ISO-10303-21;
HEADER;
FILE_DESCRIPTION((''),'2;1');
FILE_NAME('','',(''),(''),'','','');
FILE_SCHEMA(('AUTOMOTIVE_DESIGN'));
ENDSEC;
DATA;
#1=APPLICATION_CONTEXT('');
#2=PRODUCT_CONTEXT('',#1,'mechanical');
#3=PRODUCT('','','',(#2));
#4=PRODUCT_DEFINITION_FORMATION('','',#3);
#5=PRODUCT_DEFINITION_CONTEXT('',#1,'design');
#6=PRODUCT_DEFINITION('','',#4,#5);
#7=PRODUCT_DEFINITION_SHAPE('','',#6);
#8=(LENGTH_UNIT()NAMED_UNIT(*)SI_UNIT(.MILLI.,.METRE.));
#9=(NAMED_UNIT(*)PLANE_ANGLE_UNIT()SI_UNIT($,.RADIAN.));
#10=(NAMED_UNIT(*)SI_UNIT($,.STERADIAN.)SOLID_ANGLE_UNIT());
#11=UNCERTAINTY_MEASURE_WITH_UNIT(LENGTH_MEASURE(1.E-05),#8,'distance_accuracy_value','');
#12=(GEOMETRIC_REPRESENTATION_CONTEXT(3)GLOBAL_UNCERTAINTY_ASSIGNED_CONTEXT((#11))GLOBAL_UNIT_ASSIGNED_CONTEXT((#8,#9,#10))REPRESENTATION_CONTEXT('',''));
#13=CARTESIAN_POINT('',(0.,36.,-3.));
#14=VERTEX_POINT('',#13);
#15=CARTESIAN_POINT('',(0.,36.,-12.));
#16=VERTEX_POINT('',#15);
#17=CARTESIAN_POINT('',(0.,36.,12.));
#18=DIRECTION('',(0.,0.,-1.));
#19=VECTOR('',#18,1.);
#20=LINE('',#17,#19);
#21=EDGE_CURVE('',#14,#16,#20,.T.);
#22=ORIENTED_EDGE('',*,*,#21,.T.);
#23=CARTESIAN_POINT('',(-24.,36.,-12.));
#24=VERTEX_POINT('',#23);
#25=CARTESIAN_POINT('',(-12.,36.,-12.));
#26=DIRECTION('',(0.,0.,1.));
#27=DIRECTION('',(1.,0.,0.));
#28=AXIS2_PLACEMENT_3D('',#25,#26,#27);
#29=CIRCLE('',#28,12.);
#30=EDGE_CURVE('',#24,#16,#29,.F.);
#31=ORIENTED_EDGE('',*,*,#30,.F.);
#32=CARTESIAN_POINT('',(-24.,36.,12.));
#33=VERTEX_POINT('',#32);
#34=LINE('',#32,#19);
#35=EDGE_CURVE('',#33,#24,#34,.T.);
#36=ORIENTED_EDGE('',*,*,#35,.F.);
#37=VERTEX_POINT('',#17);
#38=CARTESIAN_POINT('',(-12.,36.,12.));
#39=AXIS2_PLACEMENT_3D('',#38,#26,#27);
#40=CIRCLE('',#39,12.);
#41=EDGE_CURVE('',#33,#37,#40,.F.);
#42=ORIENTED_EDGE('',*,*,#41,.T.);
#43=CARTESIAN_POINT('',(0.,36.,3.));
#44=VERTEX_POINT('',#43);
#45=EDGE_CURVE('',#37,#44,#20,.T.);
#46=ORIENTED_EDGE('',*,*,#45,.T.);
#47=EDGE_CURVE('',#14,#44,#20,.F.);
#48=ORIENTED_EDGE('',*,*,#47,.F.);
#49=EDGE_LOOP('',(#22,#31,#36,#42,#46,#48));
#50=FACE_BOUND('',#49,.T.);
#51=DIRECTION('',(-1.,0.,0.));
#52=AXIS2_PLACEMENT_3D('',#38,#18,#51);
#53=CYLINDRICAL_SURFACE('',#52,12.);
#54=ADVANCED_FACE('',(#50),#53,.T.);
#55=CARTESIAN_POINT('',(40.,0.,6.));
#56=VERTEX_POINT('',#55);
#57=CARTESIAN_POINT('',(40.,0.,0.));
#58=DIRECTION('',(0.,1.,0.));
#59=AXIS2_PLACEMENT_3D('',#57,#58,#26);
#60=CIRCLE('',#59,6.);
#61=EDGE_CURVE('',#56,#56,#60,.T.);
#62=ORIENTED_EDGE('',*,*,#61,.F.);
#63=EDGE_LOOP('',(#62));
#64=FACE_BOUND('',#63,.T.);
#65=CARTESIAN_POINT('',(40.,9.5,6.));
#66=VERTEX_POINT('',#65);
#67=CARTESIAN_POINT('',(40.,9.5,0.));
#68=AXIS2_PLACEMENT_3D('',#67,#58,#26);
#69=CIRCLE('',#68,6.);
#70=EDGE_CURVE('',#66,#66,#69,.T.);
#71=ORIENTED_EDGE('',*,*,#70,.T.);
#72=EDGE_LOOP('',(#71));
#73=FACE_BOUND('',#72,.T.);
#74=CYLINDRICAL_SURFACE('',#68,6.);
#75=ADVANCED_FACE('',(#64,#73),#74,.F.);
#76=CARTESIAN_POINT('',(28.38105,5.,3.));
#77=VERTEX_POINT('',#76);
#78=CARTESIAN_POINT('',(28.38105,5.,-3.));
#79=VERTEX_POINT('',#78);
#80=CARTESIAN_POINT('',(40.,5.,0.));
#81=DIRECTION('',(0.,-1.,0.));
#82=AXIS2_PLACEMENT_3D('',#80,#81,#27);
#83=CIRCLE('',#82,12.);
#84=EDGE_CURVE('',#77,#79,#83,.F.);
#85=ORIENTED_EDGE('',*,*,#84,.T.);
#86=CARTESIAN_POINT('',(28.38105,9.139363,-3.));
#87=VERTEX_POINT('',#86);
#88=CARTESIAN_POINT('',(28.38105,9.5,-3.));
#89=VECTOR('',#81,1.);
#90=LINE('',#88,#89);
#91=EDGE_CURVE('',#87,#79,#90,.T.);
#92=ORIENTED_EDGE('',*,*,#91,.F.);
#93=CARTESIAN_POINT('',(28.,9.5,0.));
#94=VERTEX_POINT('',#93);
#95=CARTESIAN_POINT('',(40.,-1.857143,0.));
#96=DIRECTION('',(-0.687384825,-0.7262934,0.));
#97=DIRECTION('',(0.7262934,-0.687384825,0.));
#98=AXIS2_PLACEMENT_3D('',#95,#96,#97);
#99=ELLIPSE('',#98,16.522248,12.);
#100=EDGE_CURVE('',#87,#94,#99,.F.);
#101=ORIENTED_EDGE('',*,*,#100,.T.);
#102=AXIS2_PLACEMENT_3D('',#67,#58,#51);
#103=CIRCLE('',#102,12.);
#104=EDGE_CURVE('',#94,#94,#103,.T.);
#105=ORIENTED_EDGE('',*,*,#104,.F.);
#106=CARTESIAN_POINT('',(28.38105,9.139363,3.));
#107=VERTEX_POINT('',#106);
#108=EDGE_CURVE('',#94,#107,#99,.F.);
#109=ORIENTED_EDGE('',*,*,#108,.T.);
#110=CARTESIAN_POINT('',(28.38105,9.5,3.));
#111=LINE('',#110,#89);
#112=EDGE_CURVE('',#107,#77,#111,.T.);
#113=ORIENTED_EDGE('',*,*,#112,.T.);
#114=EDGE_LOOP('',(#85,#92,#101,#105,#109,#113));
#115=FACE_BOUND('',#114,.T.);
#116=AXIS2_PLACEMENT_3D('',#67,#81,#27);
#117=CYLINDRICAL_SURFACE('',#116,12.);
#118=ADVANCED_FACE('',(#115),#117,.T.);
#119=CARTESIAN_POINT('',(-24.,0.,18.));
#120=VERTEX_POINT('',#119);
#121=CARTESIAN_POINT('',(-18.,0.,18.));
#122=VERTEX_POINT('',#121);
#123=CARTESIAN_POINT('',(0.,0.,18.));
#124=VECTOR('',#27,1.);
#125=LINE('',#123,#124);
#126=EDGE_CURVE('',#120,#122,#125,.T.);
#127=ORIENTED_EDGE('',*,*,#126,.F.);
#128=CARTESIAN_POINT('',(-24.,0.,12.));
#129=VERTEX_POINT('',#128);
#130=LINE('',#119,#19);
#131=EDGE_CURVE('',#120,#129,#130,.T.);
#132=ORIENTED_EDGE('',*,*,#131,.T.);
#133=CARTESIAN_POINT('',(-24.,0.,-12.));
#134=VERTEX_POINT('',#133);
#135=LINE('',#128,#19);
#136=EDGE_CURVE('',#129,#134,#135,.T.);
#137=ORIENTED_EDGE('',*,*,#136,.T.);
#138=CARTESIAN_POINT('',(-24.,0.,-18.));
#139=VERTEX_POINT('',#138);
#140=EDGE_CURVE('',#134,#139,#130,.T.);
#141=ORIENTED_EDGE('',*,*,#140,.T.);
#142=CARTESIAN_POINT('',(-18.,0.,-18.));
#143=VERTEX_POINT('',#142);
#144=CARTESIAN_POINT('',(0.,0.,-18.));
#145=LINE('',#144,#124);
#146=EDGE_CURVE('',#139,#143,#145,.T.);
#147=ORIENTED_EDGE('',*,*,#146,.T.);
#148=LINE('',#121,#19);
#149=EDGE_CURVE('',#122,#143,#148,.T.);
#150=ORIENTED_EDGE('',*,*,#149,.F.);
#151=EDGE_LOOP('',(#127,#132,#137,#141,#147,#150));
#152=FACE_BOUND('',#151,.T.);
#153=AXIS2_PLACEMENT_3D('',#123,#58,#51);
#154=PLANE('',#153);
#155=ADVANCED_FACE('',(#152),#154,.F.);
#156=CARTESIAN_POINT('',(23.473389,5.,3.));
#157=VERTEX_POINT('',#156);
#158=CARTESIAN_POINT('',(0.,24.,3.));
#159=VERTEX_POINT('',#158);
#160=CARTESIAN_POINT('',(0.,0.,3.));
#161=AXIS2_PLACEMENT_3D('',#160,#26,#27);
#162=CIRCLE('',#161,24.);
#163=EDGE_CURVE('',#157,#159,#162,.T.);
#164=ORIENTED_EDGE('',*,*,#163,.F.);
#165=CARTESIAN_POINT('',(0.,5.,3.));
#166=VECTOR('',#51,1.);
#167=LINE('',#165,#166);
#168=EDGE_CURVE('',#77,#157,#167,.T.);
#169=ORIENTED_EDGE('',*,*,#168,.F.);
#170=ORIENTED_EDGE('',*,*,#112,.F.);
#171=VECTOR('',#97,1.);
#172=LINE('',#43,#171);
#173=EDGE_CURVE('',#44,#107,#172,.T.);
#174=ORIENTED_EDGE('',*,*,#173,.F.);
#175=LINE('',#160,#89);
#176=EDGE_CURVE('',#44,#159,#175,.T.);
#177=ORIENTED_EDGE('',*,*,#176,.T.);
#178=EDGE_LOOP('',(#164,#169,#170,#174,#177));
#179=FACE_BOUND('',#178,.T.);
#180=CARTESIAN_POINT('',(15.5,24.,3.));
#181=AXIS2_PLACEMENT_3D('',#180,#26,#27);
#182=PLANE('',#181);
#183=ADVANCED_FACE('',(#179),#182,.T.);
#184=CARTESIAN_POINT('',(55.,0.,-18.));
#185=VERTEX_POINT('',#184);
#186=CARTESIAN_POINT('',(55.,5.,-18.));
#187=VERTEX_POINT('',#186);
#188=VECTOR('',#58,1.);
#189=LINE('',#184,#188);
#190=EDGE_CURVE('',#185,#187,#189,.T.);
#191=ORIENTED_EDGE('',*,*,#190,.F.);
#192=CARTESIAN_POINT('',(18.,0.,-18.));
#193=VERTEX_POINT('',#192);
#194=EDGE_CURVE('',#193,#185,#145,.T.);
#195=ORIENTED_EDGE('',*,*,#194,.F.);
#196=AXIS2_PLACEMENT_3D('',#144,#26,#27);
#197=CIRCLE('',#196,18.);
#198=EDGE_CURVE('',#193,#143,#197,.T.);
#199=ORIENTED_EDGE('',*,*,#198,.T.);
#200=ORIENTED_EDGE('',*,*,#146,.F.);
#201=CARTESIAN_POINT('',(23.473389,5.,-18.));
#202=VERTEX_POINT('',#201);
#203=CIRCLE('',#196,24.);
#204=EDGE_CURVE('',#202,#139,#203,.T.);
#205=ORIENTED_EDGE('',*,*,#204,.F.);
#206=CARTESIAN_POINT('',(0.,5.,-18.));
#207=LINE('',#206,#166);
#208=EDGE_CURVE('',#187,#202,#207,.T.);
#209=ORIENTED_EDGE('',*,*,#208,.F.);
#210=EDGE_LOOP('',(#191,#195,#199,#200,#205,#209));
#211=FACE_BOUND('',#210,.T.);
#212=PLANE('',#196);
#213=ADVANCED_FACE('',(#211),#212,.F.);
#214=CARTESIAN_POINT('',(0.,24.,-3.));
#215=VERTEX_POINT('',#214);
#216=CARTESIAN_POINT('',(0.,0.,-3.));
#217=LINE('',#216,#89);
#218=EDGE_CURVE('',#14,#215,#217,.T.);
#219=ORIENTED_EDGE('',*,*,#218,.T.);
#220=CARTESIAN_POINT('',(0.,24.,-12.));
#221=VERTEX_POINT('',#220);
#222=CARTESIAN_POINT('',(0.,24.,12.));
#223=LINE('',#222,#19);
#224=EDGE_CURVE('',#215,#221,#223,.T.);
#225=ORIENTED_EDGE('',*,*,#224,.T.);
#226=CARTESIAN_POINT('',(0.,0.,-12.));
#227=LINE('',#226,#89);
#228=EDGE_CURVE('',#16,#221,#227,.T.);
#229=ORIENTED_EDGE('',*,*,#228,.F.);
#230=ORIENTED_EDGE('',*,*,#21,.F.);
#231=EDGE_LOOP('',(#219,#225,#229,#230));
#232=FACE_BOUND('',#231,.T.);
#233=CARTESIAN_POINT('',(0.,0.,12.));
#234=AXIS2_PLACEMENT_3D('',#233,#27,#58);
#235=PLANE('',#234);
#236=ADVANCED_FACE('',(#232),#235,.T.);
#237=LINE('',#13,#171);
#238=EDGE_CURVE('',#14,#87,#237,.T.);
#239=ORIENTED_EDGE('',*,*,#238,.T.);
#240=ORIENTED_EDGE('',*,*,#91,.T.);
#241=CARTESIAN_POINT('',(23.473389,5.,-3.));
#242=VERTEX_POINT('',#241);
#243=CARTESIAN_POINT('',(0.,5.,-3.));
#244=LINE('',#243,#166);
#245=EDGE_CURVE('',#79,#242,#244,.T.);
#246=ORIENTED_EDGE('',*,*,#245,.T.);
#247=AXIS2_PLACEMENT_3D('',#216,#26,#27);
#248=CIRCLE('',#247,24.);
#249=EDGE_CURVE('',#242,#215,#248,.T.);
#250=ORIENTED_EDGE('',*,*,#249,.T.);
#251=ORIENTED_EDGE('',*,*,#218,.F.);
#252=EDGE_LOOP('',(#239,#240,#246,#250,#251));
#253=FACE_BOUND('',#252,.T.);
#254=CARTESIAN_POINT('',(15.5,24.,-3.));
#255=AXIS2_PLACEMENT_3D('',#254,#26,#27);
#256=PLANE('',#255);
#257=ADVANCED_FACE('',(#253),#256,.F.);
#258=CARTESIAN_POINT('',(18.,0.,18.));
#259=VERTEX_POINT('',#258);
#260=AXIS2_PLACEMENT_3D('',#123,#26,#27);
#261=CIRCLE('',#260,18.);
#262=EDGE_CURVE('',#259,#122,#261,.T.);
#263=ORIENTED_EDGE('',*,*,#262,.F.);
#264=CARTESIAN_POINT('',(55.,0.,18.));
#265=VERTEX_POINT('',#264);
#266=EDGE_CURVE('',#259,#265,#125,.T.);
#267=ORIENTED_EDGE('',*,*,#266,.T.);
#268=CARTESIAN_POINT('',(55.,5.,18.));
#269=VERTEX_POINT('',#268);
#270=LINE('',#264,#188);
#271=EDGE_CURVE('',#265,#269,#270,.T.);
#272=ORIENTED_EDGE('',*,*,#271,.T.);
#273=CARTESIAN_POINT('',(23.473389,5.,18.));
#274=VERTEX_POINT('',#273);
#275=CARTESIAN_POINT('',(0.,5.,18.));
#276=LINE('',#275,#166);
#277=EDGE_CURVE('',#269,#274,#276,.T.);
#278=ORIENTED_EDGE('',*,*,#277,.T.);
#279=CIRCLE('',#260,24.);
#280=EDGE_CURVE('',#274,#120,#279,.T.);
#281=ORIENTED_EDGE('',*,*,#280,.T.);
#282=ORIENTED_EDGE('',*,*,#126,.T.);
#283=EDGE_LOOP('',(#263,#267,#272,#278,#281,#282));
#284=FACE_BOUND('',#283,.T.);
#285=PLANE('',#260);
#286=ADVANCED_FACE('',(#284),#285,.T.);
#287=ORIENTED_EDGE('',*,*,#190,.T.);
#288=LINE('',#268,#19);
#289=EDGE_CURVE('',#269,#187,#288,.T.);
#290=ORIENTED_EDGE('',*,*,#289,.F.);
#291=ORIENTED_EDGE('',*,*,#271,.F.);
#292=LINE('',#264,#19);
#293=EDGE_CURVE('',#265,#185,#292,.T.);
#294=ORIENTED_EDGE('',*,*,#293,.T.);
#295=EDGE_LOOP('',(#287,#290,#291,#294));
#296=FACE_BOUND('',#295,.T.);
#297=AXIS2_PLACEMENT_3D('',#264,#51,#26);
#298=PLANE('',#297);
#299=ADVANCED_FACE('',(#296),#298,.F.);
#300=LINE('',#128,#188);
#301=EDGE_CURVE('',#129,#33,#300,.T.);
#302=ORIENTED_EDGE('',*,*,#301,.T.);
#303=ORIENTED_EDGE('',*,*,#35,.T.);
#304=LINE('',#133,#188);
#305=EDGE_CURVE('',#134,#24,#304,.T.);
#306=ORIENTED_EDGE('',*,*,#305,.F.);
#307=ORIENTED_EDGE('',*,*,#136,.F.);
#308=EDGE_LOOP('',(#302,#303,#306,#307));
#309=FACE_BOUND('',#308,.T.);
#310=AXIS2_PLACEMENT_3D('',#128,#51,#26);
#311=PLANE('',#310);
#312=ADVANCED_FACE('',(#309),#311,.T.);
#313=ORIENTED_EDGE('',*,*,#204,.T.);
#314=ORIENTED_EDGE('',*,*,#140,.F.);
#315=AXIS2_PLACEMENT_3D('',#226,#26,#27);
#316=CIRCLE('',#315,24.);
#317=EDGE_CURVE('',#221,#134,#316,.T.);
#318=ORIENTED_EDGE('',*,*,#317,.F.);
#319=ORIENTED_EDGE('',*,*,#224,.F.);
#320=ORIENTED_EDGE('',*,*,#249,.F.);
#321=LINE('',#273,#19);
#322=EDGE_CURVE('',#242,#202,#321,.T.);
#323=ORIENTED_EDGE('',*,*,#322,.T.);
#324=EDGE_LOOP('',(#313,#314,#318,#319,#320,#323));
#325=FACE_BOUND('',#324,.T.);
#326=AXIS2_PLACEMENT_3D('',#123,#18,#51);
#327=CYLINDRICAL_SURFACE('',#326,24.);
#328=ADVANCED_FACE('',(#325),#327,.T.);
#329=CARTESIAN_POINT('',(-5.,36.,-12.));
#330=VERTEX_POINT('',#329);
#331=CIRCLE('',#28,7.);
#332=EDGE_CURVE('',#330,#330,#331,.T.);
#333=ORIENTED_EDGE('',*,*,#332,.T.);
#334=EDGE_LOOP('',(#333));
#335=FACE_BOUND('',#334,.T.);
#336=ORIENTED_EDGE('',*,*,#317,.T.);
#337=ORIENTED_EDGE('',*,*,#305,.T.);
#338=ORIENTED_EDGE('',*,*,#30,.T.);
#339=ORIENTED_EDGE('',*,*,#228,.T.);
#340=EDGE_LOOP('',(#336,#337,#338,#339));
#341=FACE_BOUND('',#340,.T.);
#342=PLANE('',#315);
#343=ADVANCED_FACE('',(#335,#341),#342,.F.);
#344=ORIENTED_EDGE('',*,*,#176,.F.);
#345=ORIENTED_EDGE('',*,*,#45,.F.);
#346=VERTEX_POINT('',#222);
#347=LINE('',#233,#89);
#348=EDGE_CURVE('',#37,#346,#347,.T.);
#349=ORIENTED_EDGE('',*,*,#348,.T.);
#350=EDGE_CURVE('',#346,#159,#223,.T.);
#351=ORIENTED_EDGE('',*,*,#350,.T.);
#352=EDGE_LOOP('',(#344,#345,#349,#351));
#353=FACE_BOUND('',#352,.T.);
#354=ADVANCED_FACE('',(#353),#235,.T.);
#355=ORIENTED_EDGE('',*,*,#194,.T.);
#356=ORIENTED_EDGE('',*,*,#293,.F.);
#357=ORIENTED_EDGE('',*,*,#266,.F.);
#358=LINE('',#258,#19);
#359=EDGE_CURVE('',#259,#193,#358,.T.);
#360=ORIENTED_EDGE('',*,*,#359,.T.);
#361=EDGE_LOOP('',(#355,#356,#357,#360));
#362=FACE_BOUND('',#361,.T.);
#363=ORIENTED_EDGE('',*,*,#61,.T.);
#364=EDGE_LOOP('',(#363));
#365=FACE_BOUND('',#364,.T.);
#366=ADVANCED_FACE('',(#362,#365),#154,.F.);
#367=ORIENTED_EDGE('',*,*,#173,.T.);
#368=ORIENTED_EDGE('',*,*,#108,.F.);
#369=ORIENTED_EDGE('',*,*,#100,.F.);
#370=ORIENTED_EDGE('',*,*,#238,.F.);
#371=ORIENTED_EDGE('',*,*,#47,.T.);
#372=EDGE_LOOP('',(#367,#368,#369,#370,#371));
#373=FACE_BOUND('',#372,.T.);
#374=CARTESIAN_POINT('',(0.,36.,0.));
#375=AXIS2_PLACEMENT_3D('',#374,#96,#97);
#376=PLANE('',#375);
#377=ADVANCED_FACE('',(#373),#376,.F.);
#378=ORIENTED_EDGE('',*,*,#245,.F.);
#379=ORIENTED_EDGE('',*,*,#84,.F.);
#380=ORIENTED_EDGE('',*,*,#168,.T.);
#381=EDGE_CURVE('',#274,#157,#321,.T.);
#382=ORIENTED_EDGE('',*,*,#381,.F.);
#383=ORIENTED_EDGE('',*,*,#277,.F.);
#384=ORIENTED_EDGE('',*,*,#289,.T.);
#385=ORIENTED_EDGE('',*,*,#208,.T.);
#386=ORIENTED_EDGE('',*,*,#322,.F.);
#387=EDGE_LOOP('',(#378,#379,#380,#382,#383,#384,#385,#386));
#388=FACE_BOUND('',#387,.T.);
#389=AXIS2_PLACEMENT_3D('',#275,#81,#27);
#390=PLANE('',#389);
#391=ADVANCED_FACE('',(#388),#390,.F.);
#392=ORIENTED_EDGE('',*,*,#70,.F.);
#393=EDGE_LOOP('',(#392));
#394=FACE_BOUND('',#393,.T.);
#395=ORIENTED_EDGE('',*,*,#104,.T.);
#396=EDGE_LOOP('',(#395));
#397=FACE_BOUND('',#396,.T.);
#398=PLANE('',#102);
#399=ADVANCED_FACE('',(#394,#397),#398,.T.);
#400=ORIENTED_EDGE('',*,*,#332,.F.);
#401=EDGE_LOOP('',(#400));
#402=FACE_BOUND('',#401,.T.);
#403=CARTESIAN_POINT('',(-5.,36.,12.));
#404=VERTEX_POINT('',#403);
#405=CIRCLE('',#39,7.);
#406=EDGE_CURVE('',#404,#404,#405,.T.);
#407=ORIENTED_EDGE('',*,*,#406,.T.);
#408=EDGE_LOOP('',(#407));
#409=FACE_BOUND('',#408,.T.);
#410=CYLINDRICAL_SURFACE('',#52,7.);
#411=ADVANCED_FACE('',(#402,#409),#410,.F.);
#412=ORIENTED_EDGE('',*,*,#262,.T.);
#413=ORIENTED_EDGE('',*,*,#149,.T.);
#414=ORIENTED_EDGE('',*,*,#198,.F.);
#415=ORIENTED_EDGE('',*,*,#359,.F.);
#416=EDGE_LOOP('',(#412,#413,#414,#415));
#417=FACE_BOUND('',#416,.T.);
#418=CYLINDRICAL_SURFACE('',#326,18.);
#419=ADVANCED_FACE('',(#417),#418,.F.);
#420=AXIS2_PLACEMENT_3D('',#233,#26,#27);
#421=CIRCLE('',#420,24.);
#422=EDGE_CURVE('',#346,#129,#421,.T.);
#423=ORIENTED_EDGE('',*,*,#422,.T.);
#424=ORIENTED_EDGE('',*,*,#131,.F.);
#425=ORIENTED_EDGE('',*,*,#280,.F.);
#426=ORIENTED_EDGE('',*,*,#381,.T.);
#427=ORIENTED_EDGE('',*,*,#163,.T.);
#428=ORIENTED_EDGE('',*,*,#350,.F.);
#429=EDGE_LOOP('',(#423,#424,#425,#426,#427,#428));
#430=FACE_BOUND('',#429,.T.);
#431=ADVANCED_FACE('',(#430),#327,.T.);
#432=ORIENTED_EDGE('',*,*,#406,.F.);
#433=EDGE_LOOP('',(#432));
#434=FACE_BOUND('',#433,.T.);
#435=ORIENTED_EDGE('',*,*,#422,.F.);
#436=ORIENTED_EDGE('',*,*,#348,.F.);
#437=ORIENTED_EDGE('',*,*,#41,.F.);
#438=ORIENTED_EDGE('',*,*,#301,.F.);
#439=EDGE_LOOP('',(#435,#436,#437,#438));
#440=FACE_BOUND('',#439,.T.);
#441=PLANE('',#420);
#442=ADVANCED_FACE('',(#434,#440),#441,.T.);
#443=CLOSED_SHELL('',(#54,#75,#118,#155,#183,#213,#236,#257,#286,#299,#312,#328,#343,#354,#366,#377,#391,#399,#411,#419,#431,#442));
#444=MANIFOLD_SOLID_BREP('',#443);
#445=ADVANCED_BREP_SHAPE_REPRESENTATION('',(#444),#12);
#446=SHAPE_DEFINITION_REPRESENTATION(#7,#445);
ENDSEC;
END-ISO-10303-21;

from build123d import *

# Parameters (mm, degrees)
BOSS_EXTRUDE1_DEPTH    = 18
SKETCH1_3_R            = 7
BOSS_EXTRUDE2_DEPTH    = 12
SKETCH2_R              = 12
BOSS_EXTRUDE3_DEPTH    = 4.5
RIB1_REACH             = 77.186
SKETCH3_WALL_W         = 190.924782946
SKETCH3_WALL_H         = 6
F_12_0MM_DOWEL_HOLE1_D = 12


with BuildPart() as part:
    # Sketch1 → Boss-Extrude1 (new, symmetric)
    with BuildSketch(Plane.XY):
        with BuildLine():
            Line((-24, 0), (-18, 0))
            ThreePointArc((-18, 0), (0, 18), (18, 0))
            Line((18, 0), (55, 0))
            Line((55, 0), (55, 5))
            Line((55, 5), (23.473389189, 5))
            ThreePointArc((23.473389189, 5), (-2.513827706, 23.86798421), (-24, 0))
        make_face()
    extrude(amount=BOSS_EXTRUDE1_DEPTH, both=True)

    # Sketch1<3> → Boss-Extrude2 (add, symmetric)
    with BuildSketch(Plane.XY):
        with BuildLine():
            Line((-24, 36), (-24, 0))
            ThreePointArc((-24, 0), (-16.970562748, 16.970562748), (0, 24))
            Line((0, 24), (0, 36))
            ThreePointArc((0, 36), (-12, 48), (-24, 36))
        make_face()
        with Locations((-12, 36)):
            Circle(SKETCH1_3_R, mode=Mode.SUBTRACT)
    extrude(amount=BOSS_EXTRUDE2_DEPTH, both=True)

    # Sketch2 → Boss-Extrude3 (add, symmetric)
    with BuildSketch(Plane(origin=(0, 5, 0), x_dir=(1, 0, 0), z_dir=(0, 1, 0))):
        with Locations((40, 0)):
            Circle(SKETCH2_R)
    extrude(amount=BOSS_EXTRUDE3_DEPTH, both=True)

    # Sketch3 wall → Rib1 (add, up to next)
    with BuildSketch(Plane(origin=(14, 22.75, 0), x_dir=(0.72629339981, -0.68738482482, 0), z_dir=(0.68738482482, 0.72629339981, 0)), mode=Mode.PRIVATE) as rib1_sk1:
        Rectangle(SKETCH3_WALL_W, SKETCH3_WALL_H)
    rib1_tool1 = extrude(rib1_sk1.sketch, amount=-RIB1_REACH, mode=Mode.PRIVATE) - part.part
    add(rib1_tool1.solids().sort_by_distance((14, 22.75, 0))[0])

    # Ø12.0mm Dowel Hole1 (through all)
    with Locations(Plane(origin=(0, 9.5, 0), x_dir=(1, 0, 0), z_dir=(0, 1, 0))):
        with Locations((40, 0)):
            Hole(F_12_0MM_DOWEL_HOLE1_D / 2)


solid = part.part
